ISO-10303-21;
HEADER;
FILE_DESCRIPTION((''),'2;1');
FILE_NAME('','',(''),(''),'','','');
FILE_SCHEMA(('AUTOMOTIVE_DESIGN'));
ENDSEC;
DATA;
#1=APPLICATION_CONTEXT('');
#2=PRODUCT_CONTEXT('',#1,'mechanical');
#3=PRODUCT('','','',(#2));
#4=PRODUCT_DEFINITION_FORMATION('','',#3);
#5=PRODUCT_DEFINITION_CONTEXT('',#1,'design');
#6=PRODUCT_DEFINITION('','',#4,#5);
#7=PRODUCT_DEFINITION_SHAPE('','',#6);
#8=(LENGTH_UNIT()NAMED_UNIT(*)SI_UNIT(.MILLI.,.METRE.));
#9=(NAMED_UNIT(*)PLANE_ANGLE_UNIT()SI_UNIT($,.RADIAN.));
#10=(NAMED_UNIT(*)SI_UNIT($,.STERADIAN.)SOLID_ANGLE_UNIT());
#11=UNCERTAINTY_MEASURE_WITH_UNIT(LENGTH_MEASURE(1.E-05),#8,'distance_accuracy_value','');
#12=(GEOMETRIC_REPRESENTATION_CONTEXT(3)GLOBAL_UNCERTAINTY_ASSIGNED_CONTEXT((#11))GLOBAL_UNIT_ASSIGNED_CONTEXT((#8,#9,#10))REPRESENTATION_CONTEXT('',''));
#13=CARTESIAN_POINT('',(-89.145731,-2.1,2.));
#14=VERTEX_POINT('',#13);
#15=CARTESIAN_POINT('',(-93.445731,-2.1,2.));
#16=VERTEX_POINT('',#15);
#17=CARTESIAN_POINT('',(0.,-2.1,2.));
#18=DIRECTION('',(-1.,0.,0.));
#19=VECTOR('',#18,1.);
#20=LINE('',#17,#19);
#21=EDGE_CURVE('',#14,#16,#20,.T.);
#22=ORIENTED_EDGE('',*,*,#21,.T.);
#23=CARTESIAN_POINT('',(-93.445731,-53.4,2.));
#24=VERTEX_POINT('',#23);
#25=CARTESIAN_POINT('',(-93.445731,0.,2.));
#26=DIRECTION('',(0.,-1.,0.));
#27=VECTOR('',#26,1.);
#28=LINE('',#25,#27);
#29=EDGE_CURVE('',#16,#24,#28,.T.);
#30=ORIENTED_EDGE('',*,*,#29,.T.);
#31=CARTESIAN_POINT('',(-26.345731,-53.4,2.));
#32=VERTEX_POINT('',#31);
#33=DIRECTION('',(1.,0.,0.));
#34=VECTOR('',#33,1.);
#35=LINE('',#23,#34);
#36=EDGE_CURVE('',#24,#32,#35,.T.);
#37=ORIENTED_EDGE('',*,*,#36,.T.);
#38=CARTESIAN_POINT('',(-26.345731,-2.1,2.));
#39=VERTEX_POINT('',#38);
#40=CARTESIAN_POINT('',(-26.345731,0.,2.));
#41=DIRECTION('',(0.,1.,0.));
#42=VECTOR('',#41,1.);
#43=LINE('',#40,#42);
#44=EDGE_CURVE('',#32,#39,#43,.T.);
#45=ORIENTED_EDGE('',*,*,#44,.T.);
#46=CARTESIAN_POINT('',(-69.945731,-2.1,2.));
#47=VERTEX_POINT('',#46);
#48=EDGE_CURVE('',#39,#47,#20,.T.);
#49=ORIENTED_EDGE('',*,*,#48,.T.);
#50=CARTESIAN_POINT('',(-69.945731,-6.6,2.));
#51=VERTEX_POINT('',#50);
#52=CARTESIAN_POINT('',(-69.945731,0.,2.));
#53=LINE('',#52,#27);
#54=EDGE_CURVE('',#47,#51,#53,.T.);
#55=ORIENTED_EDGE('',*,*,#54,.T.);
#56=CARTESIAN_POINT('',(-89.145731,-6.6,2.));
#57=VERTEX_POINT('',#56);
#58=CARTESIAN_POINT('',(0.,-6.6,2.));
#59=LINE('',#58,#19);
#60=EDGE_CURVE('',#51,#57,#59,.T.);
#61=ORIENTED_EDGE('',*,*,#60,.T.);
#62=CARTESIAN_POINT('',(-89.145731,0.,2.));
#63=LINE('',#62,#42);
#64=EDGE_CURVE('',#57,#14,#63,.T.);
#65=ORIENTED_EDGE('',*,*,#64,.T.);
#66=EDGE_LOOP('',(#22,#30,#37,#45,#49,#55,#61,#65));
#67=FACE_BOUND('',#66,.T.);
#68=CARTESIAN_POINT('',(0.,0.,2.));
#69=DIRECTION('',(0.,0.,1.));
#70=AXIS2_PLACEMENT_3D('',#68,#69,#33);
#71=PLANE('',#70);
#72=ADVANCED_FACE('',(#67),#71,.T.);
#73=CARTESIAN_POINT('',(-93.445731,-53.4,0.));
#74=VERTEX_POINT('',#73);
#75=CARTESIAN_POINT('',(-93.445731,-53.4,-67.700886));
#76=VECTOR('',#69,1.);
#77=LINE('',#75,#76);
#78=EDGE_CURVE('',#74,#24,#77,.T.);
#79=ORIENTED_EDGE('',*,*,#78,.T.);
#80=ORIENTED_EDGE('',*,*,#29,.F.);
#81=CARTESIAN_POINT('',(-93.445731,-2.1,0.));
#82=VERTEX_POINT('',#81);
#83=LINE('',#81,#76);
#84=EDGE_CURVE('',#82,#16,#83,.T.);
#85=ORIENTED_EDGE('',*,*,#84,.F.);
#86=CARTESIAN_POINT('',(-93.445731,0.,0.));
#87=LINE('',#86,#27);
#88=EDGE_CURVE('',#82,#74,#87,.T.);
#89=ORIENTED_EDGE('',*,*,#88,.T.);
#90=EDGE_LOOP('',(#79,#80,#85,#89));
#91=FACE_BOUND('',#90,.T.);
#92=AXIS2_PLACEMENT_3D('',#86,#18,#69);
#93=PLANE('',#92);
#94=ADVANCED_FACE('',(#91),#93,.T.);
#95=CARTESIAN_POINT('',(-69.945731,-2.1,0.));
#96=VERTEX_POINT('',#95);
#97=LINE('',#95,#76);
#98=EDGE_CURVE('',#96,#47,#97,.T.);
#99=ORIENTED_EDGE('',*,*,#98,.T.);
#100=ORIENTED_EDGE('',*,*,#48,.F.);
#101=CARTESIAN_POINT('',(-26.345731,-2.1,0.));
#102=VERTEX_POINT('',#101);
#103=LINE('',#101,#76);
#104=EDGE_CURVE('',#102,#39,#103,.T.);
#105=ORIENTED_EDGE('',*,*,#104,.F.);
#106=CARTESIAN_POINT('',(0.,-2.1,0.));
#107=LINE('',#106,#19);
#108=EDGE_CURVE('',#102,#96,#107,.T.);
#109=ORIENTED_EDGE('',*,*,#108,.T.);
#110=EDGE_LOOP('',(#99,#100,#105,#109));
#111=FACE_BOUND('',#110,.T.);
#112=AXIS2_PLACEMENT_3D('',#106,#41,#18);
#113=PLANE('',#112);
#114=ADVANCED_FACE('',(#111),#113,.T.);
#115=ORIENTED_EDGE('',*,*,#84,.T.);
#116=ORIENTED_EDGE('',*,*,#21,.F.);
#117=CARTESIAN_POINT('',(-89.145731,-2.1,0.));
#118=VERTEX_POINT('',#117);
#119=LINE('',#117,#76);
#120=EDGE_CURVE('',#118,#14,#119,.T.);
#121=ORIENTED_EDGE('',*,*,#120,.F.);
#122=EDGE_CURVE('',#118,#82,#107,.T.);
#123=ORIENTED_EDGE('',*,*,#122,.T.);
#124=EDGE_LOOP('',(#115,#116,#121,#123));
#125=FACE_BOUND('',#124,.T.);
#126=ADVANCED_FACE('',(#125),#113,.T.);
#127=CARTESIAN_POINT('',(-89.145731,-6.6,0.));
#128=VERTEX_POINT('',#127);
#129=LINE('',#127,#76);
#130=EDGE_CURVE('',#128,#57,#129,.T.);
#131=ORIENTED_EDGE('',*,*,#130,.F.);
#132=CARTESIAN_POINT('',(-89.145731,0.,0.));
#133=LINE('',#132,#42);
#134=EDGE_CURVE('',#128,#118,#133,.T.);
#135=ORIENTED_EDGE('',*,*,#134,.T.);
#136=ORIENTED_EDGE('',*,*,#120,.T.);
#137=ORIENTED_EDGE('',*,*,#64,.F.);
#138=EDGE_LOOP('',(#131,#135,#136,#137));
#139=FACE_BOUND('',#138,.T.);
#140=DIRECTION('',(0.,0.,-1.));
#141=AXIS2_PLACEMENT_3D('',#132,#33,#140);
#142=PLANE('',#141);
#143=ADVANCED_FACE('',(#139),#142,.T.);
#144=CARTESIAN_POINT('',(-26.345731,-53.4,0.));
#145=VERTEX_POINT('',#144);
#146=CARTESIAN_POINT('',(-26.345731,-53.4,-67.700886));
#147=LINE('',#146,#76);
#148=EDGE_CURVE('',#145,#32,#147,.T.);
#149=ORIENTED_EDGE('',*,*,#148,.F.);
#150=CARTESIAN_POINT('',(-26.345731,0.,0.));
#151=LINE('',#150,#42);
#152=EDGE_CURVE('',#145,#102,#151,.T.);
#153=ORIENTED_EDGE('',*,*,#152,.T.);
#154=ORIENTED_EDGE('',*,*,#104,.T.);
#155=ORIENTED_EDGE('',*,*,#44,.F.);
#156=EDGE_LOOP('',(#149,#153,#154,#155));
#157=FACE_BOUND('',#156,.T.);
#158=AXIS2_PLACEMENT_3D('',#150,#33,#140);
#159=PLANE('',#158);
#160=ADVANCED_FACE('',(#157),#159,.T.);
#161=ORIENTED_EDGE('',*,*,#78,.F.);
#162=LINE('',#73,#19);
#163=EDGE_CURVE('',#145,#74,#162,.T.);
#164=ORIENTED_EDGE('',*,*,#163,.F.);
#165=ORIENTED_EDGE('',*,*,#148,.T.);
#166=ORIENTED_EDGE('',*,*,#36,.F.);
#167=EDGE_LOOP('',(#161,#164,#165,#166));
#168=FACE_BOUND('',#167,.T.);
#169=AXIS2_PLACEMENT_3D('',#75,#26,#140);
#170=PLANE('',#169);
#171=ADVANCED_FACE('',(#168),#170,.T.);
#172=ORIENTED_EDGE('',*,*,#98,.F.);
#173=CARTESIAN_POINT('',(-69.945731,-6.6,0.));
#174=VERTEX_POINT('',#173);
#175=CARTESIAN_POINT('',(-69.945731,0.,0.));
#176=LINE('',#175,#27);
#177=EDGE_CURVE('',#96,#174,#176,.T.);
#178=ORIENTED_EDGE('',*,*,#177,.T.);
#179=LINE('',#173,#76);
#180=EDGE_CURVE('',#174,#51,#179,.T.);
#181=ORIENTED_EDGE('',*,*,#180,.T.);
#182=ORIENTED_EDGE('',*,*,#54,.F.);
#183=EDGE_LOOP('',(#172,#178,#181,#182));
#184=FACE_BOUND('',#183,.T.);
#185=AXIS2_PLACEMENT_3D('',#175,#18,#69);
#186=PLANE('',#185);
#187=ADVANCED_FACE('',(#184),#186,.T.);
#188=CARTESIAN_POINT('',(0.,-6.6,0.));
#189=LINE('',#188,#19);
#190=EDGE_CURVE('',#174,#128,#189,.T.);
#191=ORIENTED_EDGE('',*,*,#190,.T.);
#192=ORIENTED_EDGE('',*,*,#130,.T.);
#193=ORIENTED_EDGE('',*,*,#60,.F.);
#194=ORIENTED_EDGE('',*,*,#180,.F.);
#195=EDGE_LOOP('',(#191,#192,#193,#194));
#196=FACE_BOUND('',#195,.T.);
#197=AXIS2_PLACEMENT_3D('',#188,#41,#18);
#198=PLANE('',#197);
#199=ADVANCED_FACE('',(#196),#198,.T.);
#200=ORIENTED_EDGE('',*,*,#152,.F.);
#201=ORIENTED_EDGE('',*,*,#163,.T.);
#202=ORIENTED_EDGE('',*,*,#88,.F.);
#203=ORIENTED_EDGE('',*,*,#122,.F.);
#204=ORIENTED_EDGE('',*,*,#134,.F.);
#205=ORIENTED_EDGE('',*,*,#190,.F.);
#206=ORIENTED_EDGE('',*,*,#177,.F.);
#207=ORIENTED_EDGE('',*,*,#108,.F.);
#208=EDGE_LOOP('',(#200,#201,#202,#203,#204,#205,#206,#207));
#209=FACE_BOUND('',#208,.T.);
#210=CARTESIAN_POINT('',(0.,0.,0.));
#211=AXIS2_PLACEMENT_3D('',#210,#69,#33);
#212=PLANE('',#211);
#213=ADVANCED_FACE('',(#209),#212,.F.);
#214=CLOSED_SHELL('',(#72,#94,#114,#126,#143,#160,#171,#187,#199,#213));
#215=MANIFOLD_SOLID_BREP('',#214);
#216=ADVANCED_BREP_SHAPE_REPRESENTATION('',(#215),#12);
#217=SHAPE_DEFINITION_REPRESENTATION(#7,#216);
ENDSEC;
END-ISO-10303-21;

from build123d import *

# Parameters (mm, degrees)
BOSS_EXTRUDE1_DEPTH = 2
CUT_EXTRUDE1_DEPTH  = 104.743351649
SKETCH4_W           = 67.1
SKETCH4_H           = 9
BOSS_EXTRUDE2_DEPTH = 2


with BuildPart() as part:
    # Sketch2 → Boss-Extrude1 (new body)
    with BuildSketch(Plane.XY):
        Polygon((-88.945731411, -6.4), (-88.945731411, -1.9), (-93.645731411, -1.9), (-93.645731411, -44.6), (-26.145731411, -44.6), (-26.145731411, -1.9), (-70.145731411, -1.9), (-70.145731411, -6.4), align=None)
    extrude(amount=BOSS_EXTRUDE1_DEPTH)

    # Sketch3 → Cut-Extrude1 (cut, through all)
    with BuildSketch(Plane.XY.offset(2)):
        Polygon((-88.945731411, -1.9), (-93.645731411, -1.9), (-93.645731411, -44.6), (-26.145731411, -44.6), (-26.145731411, -1.9), (-70.145731411, -1.9), (-70.145731411, -6.4), (-88.945731411, -6.4), align=None)
        Polygon((-89.145731411, -2.1), (-93.445731411, -2.1), (-93.445731411, -44.4), (-26.345731411, -44.4), (-26.345731411, -2.1), (-69.945731411, -2.1), (-69.945731411, -6.6), (-89.145731411, -6.6), align=None, mode=Mode.SUBTRACT)
    extrude(amount=-CUT_EXTRUDE1_DEPTH, mode=Mode.SUBTRACT)

    # Sketch4 → Boss-Extrude2 (add)
    with BuildSketch(Plane.XY.offset(2)):
        with Locations((-59.895731411, -48.9)):
            Rectangle(SKETCH4_W, SKETCH4_H)
    extrude(amount=-BOSS_EXTRUDE2_DEPTH)


solid = part.part
